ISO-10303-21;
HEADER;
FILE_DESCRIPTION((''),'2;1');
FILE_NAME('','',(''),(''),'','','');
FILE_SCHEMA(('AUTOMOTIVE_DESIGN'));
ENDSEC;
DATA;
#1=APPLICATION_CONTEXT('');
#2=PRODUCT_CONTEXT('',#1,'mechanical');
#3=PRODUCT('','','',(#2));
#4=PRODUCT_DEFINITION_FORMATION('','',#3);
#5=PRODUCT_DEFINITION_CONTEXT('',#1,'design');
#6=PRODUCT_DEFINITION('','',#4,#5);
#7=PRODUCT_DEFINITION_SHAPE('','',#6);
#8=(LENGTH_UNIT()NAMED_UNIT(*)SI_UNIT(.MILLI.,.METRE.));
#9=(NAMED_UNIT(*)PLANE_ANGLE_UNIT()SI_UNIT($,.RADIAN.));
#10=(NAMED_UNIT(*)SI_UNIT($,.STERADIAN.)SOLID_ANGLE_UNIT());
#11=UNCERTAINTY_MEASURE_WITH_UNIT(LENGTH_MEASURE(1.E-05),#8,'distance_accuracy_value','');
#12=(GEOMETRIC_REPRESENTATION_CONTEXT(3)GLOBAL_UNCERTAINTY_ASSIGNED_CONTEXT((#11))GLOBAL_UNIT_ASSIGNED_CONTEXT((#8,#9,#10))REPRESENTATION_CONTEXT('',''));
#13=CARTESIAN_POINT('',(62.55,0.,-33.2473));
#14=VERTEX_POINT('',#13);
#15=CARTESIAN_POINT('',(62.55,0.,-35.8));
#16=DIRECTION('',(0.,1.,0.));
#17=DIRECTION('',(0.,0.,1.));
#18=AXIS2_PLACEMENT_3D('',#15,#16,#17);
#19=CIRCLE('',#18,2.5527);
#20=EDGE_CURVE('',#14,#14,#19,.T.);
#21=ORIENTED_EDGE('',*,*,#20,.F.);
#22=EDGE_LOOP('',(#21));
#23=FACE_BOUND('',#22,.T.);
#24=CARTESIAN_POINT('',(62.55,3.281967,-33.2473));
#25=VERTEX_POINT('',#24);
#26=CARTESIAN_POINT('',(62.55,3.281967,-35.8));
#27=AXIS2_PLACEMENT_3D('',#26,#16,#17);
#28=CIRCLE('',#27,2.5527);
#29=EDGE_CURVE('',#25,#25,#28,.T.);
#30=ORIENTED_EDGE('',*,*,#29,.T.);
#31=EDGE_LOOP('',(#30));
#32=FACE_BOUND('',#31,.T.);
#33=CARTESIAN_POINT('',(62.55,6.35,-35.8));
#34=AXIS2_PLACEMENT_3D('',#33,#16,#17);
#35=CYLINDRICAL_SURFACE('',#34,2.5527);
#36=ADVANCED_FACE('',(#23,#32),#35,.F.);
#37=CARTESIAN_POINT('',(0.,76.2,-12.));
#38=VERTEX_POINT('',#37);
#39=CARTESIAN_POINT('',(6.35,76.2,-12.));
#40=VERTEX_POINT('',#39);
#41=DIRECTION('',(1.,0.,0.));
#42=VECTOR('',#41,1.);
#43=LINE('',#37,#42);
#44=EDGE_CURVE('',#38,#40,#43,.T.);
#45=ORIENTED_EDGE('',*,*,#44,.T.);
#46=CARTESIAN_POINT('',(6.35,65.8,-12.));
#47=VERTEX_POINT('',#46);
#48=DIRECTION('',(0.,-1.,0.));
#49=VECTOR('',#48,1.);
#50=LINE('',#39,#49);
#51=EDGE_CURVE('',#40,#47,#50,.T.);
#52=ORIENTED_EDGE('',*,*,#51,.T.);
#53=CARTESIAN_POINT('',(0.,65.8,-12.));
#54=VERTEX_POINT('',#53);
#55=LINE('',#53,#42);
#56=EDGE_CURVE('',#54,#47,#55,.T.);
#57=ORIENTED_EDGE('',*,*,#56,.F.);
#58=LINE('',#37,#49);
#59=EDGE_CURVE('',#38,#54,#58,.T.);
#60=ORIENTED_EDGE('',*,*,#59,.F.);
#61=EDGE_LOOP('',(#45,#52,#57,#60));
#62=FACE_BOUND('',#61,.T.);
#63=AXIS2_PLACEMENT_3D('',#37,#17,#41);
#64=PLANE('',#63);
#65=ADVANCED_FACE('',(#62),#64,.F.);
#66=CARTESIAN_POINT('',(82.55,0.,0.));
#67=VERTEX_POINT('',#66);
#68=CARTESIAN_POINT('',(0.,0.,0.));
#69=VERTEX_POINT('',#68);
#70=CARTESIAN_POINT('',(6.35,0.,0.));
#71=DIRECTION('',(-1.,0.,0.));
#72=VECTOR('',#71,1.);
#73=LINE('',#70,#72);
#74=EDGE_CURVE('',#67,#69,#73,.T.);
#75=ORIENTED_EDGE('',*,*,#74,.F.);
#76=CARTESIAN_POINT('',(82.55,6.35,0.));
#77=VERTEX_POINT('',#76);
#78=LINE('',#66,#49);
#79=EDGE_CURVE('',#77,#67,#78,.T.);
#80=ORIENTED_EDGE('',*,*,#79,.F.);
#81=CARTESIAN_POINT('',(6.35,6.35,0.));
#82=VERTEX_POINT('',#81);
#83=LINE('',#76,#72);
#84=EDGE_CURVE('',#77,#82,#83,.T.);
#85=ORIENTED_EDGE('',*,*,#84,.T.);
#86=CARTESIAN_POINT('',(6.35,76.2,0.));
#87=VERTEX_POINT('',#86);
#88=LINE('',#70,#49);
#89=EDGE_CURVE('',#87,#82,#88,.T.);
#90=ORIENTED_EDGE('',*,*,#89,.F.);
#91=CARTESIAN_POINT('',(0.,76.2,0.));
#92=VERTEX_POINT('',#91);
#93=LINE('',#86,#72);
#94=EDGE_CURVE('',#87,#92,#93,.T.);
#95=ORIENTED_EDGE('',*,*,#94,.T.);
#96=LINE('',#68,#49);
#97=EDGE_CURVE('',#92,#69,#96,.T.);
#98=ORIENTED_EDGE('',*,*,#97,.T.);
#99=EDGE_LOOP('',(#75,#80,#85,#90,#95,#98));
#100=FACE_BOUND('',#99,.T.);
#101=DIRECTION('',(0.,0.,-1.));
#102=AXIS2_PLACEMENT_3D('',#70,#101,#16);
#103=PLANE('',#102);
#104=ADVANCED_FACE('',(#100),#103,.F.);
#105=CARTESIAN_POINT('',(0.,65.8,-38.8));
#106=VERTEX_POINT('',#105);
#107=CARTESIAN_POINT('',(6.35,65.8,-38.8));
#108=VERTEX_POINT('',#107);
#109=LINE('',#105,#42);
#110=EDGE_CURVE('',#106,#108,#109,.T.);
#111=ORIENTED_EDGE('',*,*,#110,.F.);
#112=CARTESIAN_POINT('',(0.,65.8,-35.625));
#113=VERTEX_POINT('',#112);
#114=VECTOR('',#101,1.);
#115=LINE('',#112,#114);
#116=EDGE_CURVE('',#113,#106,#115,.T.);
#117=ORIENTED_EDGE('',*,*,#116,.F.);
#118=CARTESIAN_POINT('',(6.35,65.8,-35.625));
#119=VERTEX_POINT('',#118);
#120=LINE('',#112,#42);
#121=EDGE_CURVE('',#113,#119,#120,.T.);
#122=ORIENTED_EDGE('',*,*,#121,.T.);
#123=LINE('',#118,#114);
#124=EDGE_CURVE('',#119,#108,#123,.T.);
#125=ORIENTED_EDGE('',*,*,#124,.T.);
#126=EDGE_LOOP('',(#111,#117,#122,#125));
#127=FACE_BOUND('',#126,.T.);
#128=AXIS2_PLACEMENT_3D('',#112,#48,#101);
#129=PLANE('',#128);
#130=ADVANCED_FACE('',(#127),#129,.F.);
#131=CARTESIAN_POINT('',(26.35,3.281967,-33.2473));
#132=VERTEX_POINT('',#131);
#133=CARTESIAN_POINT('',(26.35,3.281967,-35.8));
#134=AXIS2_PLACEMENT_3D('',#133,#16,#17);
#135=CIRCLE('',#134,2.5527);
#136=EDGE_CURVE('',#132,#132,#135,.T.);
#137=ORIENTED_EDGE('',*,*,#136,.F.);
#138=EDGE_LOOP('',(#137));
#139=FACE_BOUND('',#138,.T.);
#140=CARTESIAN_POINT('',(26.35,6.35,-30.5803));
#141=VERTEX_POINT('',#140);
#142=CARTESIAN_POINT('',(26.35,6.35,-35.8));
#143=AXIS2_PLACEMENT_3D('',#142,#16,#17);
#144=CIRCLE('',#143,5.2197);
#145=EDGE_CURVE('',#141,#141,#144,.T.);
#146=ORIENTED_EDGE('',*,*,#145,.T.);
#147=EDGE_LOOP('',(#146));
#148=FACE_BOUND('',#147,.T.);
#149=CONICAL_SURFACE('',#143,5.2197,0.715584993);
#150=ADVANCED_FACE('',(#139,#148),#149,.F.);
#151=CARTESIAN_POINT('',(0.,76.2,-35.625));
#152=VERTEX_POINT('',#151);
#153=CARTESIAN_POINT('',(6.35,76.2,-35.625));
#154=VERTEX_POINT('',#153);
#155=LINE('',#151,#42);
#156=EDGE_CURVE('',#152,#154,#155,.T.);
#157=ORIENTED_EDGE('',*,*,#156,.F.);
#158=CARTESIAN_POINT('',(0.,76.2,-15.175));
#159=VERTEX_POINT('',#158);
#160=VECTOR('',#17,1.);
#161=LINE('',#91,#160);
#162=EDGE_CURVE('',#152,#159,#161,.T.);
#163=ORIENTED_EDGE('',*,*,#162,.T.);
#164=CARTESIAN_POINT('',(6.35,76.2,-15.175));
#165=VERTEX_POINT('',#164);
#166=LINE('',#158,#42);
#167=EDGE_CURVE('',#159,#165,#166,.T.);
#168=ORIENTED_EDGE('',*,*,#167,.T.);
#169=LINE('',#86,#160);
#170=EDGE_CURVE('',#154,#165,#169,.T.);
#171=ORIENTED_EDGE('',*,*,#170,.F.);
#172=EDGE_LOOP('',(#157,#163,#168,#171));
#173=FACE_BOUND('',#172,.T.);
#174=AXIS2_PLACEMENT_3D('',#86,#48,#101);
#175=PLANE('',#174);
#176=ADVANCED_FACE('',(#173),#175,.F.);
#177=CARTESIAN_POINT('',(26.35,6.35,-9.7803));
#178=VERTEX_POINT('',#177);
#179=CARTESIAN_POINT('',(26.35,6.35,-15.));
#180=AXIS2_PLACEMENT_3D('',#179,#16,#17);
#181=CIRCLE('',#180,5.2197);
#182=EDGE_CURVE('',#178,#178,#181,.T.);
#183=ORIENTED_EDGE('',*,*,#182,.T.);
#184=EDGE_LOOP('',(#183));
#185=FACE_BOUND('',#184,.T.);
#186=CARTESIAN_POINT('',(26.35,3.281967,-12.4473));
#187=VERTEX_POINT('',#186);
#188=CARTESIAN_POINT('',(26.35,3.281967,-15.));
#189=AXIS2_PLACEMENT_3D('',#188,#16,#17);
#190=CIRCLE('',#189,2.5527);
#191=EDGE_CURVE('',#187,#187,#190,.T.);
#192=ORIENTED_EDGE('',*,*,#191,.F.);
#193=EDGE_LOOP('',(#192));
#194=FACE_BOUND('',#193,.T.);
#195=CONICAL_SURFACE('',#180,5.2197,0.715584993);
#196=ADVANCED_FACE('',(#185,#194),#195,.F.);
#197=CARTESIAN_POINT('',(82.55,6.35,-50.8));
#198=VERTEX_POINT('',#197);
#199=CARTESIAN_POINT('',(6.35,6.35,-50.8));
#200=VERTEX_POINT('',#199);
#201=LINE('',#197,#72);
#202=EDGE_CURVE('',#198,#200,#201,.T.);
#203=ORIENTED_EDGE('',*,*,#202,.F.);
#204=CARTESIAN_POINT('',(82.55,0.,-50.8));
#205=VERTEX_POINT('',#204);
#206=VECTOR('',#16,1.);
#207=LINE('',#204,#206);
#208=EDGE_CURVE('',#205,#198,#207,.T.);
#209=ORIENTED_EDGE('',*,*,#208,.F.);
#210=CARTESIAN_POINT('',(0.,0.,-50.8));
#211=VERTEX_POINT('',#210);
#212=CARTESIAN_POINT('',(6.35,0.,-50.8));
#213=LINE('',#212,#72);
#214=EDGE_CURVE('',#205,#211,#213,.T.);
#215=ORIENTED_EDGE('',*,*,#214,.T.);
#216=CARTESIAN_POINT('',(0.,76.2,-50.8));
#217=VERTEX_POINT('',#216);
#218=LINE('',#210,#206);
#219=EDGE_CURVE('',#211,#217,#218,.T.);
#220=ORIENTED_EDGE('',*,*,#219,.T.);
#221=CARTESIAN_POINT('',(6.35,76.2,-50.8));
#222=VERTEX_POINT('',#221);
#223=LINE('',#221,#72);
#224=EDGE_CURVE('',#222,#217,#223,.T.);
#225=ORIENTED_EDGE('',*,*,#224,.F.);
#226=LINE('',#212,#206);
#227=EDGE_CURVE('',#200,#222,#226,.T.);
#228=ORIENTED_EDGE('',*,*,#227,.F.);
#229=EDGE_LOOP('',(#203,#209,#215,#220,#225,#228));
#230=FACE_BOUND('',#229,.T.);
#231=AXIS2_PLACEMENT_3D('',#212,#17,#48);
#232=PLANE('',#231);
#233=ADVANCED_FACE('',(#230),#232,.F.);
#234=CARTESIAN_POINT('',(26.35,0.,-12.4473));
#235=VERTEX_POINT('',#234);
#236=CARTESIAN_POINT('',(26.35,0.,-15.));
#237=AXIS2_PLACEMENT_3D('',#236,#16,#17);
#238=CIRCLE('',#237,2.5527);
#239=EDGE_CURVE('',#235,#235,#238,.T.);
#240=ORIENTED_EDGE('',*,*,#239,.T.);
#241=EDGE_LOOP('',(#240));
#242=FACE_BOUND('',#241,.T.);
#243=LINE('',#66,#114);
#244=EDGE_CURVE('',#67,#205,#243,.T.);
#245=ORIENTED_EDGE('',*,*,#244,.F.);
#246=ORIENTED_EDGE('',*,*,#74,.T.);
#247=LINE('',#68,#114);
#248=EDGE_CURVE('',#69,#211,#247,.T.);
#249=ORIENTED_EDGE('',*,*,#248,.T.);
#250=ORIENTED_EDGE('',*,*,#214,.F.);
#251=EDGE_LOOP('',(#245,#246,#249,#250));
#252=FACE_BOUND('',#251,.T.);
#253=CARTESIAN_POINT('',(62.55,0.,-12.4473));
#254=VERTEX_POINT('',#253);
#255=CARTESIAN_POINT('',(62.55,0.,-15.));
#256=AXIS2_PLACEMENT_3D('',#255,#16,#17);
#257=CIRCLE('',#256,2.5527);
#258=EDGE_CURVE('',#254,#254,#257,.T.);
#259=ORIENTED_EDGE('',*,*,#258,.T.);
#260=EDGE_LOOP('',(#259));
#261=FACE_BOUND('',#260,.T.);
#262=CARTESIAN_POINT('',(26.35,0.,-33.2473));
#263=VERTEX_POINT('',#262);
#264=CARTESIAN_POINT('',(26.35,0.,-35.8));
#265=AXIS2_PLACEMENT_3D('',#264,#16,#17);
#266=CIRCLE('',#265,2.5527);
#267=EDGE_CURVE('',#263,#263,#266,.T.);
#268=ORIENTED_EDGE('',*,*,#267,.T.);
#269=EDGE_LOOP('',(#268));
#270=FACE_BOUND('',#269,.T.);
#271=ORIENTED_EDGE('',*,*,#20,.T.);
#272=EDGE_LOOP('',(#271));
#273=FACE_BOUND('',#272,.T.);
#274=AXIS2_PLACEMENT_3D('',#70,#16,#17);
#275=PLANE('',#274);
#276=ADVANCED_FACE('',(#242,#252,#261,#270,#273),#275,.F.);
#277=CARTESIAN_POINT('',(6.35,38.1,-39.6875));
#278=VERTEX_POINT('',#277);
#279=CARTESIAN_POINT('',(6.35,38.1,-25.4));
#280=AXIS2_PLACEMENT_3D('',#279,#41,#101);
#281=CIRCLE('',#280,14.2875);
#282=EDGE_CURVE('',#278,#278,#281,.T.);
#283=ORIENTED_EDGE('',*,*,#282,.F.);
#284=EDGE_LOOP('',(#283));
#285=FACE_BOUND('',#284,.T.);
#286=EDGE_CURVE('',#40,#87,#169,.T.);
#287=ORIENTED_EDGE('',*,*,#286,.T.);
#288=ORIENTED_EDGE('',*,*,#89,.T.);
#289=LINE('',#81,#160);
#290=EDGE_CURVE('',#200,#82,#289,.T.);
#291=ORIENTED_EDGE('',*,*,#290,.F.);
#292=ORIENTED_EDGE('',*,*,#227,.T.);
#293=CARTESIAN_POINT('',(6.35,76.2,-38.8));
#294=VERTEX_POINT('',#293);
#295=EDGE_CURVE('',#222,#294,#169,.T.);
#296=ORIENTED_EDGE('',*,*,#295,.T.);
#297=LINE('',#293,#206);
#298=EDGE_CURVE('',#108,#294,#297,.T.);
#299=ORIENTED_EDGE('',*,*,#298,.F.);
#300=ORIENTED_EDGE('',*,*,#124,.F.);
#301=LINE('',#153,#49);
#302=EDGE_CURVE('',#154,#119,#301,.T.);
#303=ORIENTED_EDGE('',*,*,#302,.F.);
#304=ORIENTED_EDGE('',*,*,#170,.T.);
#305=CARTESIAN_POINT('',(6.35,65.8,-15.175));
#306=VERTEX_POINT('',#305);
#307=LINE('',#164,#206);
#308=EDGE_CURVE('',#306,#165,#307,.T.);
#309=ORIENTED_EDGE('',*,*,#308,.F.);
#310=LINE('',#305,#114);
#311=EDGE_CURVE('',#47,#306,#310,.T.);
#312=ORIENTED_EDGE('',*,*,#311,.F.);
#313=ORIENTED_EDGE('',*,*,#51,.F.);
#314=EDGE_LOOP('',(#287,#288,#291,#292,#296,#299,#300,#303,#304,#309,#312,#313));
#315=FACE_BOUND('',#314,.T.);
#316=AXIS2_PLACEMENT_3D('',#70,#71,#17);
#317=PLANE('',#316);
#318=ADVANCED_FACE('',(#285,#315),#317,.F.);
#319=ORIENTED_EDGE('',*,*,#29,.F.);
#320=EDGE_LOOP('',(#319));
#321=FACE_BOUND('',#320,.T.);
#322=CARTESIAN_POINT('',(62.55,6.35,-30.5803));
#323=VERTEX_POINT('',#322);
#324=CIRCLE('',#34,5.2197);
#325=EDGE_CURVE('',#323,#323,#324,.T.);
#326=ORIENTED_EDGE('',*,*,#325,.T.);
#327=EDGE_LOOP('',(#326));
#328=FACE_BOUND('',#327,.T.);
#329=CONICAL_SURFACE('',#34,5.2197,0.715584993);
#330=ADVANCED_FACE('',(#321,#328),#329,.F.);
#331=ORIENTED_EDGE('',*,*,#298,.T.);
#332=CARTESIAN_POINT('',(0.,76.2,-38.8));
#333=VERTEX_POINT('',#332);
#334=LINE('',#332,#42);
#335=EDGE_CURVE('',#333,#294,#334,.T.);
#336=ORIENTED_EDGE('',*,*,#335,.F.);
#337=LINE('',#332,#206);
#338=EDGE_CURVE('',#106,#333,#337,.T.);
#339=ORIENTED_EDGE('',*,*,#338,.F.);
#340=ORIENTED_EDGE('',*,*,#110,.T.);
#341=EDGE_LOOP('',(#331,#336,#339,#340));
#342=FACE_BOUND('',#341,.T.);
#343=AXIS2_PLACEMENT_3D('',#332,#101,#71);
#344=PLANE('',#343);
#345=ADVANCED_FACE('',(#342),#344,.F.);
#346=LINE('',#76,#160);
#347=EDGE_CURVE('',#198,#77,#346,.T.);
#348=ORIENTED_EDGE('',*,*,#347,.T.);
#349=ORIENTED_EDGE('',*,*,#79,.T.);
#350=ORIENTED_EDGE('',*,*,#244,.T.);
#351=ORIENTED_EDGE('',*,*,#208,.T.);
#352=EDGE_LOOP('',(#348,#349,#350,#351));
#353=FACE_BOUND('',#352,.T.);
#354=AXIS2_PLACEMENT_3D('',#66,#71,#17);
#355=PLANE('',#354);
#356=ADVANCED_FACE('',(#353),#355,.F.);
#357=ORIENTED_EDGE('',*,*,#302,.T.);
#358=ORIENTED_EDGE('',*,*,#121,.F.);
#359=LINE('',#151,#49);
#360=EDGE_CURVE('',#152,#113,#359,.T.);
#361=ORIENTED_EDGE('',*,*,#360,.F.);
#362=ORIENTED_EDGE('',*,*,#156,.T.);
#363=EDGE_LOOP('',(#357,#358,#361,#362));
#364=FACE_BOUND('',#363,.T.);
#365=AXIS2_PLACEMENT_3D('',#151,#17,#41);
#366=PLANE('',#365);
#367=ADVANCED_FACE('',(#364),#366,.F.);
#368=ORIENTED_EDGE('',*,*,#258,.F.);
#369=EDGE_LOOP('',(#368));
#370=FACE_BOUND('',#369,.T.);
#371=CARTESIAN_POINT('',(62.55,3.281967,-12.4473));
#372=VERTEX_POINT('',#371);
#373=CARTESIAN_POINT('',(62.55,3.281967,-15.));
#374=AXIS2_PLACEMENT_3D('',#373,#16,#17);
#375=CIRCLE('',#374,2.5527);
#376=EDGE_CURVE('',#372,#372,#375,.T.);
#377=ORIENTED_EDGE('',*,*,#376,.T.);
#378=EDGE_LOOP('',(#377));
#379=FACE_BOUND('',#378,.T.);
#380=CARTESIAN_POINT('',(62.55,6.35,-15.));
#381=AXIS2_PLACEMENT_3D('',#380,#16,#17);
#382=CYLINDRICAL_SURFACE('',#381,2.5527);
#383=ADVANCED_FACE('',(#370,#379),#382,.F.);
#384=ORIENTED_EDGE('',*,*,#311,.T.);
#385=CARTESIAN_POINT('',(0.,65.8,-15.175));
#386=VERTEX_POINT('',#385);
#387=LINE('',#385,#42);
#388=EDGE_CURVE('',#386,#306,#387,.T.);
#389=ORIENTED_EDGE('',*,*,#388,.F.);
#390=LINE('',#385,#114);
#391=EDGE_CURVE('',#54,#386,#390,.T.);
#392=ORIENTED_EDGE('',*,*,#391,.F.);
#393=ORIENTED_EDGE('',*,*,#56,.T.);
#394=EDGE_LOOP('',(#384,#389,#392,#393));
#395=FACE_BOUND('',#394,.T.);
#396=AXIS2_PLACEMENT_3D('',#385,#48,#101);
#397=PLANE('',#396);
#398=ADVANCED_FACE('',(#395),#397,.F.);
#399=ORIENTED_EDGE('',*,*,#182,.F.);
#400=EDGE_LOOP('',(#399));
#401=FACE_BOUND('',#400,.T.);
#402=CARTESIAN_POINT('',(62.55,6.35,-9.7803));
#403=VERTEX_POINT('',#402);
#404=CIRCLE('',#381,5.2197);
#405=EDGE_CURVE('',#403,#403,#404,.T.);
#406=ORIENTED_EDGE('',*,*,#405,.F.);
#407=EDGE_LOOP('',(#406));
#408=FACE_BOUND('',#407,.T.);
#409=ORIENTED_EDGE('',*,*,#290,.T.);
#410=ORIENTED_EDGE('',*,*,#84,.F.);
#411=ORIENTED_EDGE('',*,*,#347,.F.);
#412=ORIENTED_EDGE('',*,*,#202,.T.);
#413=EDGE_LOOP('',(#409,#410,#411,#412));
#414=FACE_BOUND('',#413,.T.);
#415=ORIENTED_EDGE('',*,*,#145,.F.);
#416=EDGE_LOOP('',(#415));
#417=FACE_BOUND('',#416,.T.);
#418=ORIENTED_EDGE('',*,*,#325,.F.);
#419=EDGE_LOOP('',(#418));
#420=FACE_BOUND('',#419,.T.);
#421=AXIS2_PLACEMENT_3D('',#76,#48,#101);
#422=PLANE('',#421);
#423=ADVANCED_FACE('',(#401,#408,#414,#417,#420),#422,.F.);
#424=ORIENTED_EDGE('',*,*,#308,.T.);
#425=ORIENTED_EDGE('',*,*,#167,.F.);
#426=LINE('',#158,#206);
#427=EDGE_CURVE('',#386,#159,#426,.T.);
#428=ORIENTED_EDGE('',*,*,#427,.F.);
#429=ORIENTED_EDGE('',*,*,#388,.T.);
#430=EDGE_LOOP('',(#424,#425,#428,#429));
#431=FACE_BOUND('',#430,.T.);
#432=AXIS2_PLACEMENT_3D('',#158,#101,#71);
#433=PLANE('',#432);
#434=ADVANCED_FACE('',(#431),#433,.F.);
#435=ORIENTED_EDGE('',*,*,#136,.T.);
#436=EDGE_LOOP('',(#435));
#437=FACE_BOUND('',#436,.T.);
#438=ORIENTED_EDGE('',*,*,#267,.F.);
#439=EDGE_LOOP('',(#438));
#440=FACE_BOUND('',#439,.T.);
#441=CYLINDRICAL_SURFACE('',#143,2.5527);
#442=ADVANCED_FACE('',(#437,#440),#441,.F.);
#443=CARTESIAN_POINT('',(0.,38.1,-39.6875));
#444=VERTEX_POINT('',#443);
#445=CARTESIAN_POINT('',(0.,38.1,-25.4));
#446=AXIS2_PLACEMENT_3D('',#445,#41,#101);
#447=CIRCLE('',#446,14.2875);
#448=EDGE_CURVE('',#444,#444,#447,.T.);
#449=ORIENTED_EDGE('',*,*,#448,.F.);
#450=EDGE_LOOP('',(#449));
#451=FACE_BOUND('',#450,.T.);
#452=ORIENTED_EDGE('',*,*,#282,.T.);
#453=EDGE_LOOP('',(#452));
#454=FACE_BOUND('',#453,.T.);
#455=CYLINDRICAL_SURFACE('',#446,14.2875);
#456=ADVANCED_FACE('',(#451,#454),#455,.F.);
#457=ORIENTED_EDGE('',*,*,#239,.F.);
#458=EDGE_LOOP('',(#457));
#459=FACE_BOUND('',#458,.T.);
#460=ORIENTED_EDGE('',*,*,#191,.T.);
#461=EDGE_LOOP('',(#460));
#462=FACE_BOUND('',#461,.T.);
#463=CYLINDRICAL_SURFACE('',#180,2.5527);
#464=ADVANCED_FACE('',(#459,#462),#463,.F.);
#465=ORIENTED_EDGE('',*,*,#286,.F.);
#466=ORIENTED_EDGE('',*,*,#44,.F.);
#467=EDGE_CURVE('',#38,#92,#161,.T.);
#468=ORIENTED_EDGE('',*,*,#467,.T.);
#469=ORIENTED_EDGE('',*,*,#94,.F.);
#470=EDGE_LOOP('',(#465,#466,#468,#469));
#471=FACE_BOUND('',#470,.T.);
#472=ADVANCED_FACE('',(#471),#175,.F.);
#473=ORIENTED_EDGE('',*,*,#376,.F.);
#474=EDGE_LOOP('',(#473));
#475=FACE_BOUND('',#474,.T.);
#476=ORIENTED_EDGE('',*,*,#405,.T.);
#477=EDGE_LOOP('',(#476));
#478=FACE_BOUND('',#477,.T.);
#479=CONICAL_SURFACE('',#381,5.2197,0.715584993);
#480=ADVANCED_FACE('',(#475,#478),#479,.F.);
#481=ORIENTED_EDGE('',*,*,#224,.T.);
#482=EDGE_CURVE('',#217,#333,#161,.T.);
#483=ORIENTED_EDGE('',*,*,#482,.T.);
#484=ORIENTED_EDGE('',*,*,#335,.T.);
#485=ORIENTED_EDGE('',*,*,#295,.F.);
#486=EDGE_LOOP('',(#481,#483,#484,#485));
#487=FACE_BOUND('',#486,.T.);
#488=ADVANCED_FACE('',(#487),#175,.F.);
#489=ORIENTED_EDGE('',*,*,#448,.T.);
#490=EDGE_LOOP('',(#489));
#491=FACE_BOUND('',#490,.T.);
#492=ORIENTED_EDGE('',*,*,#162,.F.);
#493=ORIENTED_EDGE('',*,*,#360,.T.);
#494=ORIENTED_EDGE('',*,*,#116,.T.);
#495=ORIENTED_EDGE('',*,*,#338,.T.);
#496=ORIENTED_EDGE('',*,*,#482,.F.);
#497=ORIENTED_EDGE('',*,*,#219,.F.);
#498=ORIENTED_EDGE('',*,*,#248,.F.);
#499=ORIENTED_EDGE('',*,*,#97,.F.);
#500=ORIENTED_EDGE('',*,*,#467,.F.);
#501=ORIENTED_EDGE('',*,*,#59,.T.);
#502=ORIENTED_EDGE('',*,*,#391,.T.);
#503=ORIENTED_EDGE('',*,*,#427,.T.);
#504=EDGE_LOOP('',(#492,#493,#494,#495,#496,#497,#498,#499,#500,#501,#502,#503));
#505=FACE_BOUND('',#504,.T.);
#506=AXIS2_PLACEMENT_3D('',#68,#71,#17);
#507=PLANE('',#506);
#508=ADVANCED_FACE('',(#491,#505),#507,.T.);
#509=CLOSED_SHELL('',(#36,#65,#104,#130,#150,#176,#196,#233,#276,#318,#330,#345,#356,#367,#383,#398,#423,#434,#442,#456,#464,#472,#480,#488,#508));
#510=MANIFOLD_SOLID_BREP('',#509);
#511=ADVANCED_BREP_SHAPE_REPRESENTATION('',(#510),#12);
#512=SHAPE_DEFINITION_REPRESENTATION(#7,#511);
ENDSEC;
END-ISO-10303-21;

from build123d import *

# Parameters (mm, degrees)
SKETCH1_W                                          = 50.8
SKETCH1_H                                          = 76.2
BOSS_EXTRUDE1_DEPTH                                = 6.35
SKETCH2_W                                          = 50.8
SKETCH2_H                                          = 6.35
BOSS_EXTRUDE2_DEPTH                                = 76.2
SKETCH3_R                                          = 14.2875
CUT_EXTRUDE1_DEPTH                                 = 7.35
CSK_FOR_10_FLAT_HEAD_SOCKET_CAP_SCREW1_D           = 5.1054
CSK_FOR_10_FLAT_HEAD_SOCKET_CAP_SCREW1_CSINK_D     = 10.4394
CSK_FOR_10_FLAT_HEAD_SOCKET_CAP_SCREW1_CSINK_ANGLE = 82
SKETCH12_W                                         = 3.175
SKETCH12_H                                         = 10.4
CUT_EXTRUDE2_DEPTH                                 = 7.35


with BuildPart() as part:
    # Sketch1 → Boss-Extrude1 (new body)
    with BuildSketch(Plane(origin=(0, 0, 0), x_dir=(0, 0, -1), z_dir=(1, 0, 0))):
        with Locations((25.4, 38.1)):
            Rectangle(SKETCH1_W, SKETCH1_H)
    extrude(amount=BOSS_EXTRUDE1_DEPTH)

    # Sketch2 → Boss-Extrude2 (add)
    with BuildSketch(Plane(origin=(6.35, 0, 0), x_dir=(0, 0, -1), z_dir=(1, 0, 0))):
        with Locations((25.4, 3.175)):
            Rectangle(SKETCH2_W, SKETCH2_H)
    extrude(amount=BOSS_EXTRUDE2_DEPTH)

    # Sketch3 → Cut-Extrude1 (cut, through all)
    with BuildSketch(Plane(origin=(6.35, 0, 0), x_dir=(0, 0, -1), z_dir=(1, 0, 0))):
        with Locations((25.4, 38.1)):
            Circle(SKETCH3_R)
    extrude(amount=-CUT_EXTRUDE1_DEPTH, mode=Mode.SUBTRACT)

    # CSK for #10 Flat Head Socket Cap Screw1 (through all)
    with Locations(Plane(origin=(0, 6.35, 0), x_dir=(1, 0, 0), z_dir=(0, 1, 0))):
        with Locations((26.35, 35.8), (62.55, 35.8), (62.55, 15), (26.35, 15)):
            CounterSinkHole(CSK_FOR_10_FLAT_HEAD_SOCKET_CAP_SCREW1_D / 2, CSK_FOR_10_FLAT_HEAD_SOCKET_CAP_SCREW1_CSINK_D / 2, counter_sink_angle=CSK_FOR_10_FLAT_HEAD_SOCKET_CAP_SCREW1_CSINK_ANGLE)

    # Sketch12 → Cut-Extrude2 (cut, through all)
    with BuildSketch(Plane(origin=(6.35, 0, 0), x_dir=(0, 0, -1), z_dir=(1, 0, 0))):
        with Locations((37.2125, 71)):
            Rectangle(SKETCH12_W, SKETCH12_H)
        with Locations((13.5875, 71)):
            Rectangle(SKETCH12_W, SKETCH12_H)
    extrude(amount=-CUT_EXTRUDE2_DEPTH, mode=Mode.SUBTRACT)


solid = part.part
